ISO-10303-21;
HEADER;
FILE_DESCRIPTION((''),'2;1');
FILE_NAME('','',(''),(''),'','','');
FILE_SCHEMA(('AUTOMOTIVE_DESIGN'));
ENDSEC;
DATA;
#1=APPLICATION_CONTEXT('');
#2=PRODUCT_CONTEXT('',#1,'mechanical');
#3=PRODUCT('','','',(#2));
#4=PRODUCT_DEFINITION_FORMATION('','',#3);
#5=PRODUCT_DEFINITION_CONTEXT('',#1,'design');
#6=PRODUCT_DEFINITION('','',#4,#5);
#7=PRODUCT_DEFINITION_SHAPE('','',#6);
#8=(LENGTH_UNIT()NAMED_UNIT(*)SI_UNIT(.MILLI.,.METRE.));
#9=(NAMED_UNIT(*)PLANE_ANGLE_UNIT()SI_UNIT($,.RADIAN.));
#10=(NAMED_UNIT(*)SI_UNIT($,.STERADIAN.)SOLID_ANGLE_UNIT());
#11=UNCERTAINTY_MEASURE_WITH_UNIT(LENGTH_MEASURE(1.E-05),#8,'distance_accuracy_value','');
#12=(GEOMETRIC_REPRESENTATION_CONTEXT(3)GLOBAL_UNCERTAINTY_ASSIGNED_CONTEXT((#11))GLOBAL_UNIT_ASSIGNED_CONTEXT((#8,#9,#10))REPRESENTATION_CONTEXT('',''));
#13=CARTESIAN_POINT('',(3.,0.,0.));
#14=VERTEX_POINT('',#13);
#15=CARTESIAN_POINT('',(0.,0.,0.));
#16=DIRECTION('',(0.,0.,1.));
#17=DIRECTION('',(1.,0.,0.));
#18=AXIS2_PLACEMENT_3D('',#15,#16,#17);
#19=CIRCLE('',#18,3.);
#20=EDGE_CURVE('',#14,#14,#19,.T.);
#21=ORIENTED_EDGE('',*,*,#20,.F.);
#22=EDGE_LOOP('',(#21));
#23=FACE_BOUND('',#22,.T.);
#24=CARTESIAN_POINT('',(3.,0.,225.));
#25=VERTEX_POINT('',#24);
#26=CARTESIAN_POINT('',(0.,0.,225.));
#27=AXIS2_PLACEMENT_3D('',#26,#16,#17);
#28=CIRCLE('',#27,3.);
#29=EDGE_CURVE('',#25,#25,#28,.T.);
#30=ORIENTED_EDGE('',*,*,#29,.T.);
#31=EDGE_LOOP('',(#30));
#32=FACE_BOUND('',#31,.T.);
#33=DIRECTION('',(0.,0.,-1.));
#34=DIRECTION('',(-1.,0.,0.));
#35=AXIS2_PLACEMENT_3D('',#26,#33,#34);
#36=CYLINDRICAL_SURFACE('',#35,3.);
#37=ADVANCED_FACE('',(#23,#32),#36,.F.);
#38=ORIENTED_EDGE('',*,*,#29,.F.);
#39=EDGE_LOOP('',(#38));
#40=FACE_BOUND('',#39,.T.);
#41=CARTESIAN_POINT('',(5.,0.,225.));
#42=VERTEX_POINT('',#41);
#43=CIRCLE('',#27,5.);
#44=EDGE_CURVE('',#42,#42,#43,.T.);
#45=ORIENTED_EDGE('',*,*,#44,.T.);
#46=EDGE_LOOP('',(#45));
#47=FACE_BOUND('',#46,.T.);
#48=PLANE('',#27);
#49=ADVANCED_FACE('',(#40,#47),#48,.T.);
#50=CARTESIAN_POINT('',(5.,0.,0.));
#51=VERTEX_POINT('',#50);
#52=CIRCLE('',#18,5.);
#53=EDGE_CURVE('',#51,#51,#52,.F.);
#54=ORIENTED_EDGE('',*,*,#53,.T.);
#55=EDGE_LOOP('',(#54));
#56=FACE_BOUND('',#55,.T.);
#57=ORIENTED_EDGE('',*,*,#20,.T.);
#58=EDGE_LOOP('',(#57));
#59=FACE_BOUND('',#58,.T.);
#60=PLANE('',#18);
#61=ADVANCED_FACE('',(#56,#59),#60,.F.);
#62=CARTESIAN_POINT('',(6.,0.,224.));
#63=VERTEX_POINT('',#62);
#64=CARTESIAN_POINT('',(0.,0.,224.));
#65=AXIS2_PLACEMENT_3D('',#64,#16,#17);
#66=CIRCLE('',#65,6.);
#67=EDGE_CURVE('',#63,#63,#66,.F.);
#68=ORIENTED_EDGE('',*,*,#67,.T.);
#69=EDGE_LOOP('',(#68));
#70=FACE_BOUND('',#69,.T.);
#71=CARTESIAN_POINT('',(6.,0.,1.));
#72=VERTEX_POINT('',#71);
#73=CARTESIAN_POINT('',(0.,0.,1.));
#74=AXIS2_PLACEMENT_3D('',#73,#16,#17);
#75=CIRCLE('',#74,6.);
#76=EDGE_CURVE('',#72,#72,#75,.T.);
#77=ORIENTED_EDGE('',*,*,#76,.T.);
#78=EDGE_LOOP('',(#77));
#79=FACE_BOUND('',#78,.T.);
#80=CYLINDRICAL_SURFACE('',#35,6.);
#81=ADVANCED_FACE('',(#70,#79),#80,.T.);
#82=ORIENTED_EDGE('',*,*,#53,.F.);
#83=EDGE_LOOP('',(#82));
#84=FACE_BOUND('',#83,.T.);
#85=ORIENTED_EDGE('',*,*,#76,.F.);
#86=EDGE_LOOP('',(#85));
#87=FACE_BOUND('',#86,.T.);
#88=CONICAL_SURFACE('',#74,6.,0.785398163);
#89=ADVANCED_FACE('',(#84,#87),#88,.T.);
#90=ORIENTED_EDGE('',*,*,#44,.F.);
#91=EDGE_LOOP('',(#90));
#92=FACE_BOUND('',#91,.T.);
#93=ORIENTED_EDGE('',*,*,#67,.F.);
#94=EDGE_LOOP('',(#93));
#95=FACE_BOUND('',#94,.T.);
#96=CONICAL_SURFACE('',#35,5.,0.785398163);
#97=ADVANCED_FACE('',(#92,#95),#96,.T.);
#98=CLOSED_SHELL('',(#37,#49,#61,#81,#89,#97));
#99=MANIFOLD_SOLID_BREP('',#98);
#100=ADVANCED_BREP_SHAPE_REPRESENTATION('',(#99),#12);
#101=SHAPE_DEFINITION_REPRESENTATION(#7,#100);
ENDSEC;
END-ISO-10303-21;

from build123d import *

# Parameters (mm, degrees)
SKETCH_1_R      = 6
SKETCH_1_R_2    = 3
EXTRUDE_1_DEPTH = 225
CHAMFER_1_SIZE  = 1


with BuildPart() as part:
    # 草图1 → 凸台-拉伸1 (new body)
    with BuildSketch(Plane.XY):
        Circle(SKETCH_1_R)
        Circle(SKETCH_1_R_2, mode=Mode.SUBTRACT)
    extrude(amount=EXTRUDE_1_DEPTH)

    # 倒角1
    chamfer_1_edges = [part.edges().sort_by_distance(p)[0] for p in [
        (-6, 0, 0),
        (-6, 0, 225),
    ]]
    chamfer(chamfer_1_edges, length=CHAMFER_1_SIZE)


solid = part.part
